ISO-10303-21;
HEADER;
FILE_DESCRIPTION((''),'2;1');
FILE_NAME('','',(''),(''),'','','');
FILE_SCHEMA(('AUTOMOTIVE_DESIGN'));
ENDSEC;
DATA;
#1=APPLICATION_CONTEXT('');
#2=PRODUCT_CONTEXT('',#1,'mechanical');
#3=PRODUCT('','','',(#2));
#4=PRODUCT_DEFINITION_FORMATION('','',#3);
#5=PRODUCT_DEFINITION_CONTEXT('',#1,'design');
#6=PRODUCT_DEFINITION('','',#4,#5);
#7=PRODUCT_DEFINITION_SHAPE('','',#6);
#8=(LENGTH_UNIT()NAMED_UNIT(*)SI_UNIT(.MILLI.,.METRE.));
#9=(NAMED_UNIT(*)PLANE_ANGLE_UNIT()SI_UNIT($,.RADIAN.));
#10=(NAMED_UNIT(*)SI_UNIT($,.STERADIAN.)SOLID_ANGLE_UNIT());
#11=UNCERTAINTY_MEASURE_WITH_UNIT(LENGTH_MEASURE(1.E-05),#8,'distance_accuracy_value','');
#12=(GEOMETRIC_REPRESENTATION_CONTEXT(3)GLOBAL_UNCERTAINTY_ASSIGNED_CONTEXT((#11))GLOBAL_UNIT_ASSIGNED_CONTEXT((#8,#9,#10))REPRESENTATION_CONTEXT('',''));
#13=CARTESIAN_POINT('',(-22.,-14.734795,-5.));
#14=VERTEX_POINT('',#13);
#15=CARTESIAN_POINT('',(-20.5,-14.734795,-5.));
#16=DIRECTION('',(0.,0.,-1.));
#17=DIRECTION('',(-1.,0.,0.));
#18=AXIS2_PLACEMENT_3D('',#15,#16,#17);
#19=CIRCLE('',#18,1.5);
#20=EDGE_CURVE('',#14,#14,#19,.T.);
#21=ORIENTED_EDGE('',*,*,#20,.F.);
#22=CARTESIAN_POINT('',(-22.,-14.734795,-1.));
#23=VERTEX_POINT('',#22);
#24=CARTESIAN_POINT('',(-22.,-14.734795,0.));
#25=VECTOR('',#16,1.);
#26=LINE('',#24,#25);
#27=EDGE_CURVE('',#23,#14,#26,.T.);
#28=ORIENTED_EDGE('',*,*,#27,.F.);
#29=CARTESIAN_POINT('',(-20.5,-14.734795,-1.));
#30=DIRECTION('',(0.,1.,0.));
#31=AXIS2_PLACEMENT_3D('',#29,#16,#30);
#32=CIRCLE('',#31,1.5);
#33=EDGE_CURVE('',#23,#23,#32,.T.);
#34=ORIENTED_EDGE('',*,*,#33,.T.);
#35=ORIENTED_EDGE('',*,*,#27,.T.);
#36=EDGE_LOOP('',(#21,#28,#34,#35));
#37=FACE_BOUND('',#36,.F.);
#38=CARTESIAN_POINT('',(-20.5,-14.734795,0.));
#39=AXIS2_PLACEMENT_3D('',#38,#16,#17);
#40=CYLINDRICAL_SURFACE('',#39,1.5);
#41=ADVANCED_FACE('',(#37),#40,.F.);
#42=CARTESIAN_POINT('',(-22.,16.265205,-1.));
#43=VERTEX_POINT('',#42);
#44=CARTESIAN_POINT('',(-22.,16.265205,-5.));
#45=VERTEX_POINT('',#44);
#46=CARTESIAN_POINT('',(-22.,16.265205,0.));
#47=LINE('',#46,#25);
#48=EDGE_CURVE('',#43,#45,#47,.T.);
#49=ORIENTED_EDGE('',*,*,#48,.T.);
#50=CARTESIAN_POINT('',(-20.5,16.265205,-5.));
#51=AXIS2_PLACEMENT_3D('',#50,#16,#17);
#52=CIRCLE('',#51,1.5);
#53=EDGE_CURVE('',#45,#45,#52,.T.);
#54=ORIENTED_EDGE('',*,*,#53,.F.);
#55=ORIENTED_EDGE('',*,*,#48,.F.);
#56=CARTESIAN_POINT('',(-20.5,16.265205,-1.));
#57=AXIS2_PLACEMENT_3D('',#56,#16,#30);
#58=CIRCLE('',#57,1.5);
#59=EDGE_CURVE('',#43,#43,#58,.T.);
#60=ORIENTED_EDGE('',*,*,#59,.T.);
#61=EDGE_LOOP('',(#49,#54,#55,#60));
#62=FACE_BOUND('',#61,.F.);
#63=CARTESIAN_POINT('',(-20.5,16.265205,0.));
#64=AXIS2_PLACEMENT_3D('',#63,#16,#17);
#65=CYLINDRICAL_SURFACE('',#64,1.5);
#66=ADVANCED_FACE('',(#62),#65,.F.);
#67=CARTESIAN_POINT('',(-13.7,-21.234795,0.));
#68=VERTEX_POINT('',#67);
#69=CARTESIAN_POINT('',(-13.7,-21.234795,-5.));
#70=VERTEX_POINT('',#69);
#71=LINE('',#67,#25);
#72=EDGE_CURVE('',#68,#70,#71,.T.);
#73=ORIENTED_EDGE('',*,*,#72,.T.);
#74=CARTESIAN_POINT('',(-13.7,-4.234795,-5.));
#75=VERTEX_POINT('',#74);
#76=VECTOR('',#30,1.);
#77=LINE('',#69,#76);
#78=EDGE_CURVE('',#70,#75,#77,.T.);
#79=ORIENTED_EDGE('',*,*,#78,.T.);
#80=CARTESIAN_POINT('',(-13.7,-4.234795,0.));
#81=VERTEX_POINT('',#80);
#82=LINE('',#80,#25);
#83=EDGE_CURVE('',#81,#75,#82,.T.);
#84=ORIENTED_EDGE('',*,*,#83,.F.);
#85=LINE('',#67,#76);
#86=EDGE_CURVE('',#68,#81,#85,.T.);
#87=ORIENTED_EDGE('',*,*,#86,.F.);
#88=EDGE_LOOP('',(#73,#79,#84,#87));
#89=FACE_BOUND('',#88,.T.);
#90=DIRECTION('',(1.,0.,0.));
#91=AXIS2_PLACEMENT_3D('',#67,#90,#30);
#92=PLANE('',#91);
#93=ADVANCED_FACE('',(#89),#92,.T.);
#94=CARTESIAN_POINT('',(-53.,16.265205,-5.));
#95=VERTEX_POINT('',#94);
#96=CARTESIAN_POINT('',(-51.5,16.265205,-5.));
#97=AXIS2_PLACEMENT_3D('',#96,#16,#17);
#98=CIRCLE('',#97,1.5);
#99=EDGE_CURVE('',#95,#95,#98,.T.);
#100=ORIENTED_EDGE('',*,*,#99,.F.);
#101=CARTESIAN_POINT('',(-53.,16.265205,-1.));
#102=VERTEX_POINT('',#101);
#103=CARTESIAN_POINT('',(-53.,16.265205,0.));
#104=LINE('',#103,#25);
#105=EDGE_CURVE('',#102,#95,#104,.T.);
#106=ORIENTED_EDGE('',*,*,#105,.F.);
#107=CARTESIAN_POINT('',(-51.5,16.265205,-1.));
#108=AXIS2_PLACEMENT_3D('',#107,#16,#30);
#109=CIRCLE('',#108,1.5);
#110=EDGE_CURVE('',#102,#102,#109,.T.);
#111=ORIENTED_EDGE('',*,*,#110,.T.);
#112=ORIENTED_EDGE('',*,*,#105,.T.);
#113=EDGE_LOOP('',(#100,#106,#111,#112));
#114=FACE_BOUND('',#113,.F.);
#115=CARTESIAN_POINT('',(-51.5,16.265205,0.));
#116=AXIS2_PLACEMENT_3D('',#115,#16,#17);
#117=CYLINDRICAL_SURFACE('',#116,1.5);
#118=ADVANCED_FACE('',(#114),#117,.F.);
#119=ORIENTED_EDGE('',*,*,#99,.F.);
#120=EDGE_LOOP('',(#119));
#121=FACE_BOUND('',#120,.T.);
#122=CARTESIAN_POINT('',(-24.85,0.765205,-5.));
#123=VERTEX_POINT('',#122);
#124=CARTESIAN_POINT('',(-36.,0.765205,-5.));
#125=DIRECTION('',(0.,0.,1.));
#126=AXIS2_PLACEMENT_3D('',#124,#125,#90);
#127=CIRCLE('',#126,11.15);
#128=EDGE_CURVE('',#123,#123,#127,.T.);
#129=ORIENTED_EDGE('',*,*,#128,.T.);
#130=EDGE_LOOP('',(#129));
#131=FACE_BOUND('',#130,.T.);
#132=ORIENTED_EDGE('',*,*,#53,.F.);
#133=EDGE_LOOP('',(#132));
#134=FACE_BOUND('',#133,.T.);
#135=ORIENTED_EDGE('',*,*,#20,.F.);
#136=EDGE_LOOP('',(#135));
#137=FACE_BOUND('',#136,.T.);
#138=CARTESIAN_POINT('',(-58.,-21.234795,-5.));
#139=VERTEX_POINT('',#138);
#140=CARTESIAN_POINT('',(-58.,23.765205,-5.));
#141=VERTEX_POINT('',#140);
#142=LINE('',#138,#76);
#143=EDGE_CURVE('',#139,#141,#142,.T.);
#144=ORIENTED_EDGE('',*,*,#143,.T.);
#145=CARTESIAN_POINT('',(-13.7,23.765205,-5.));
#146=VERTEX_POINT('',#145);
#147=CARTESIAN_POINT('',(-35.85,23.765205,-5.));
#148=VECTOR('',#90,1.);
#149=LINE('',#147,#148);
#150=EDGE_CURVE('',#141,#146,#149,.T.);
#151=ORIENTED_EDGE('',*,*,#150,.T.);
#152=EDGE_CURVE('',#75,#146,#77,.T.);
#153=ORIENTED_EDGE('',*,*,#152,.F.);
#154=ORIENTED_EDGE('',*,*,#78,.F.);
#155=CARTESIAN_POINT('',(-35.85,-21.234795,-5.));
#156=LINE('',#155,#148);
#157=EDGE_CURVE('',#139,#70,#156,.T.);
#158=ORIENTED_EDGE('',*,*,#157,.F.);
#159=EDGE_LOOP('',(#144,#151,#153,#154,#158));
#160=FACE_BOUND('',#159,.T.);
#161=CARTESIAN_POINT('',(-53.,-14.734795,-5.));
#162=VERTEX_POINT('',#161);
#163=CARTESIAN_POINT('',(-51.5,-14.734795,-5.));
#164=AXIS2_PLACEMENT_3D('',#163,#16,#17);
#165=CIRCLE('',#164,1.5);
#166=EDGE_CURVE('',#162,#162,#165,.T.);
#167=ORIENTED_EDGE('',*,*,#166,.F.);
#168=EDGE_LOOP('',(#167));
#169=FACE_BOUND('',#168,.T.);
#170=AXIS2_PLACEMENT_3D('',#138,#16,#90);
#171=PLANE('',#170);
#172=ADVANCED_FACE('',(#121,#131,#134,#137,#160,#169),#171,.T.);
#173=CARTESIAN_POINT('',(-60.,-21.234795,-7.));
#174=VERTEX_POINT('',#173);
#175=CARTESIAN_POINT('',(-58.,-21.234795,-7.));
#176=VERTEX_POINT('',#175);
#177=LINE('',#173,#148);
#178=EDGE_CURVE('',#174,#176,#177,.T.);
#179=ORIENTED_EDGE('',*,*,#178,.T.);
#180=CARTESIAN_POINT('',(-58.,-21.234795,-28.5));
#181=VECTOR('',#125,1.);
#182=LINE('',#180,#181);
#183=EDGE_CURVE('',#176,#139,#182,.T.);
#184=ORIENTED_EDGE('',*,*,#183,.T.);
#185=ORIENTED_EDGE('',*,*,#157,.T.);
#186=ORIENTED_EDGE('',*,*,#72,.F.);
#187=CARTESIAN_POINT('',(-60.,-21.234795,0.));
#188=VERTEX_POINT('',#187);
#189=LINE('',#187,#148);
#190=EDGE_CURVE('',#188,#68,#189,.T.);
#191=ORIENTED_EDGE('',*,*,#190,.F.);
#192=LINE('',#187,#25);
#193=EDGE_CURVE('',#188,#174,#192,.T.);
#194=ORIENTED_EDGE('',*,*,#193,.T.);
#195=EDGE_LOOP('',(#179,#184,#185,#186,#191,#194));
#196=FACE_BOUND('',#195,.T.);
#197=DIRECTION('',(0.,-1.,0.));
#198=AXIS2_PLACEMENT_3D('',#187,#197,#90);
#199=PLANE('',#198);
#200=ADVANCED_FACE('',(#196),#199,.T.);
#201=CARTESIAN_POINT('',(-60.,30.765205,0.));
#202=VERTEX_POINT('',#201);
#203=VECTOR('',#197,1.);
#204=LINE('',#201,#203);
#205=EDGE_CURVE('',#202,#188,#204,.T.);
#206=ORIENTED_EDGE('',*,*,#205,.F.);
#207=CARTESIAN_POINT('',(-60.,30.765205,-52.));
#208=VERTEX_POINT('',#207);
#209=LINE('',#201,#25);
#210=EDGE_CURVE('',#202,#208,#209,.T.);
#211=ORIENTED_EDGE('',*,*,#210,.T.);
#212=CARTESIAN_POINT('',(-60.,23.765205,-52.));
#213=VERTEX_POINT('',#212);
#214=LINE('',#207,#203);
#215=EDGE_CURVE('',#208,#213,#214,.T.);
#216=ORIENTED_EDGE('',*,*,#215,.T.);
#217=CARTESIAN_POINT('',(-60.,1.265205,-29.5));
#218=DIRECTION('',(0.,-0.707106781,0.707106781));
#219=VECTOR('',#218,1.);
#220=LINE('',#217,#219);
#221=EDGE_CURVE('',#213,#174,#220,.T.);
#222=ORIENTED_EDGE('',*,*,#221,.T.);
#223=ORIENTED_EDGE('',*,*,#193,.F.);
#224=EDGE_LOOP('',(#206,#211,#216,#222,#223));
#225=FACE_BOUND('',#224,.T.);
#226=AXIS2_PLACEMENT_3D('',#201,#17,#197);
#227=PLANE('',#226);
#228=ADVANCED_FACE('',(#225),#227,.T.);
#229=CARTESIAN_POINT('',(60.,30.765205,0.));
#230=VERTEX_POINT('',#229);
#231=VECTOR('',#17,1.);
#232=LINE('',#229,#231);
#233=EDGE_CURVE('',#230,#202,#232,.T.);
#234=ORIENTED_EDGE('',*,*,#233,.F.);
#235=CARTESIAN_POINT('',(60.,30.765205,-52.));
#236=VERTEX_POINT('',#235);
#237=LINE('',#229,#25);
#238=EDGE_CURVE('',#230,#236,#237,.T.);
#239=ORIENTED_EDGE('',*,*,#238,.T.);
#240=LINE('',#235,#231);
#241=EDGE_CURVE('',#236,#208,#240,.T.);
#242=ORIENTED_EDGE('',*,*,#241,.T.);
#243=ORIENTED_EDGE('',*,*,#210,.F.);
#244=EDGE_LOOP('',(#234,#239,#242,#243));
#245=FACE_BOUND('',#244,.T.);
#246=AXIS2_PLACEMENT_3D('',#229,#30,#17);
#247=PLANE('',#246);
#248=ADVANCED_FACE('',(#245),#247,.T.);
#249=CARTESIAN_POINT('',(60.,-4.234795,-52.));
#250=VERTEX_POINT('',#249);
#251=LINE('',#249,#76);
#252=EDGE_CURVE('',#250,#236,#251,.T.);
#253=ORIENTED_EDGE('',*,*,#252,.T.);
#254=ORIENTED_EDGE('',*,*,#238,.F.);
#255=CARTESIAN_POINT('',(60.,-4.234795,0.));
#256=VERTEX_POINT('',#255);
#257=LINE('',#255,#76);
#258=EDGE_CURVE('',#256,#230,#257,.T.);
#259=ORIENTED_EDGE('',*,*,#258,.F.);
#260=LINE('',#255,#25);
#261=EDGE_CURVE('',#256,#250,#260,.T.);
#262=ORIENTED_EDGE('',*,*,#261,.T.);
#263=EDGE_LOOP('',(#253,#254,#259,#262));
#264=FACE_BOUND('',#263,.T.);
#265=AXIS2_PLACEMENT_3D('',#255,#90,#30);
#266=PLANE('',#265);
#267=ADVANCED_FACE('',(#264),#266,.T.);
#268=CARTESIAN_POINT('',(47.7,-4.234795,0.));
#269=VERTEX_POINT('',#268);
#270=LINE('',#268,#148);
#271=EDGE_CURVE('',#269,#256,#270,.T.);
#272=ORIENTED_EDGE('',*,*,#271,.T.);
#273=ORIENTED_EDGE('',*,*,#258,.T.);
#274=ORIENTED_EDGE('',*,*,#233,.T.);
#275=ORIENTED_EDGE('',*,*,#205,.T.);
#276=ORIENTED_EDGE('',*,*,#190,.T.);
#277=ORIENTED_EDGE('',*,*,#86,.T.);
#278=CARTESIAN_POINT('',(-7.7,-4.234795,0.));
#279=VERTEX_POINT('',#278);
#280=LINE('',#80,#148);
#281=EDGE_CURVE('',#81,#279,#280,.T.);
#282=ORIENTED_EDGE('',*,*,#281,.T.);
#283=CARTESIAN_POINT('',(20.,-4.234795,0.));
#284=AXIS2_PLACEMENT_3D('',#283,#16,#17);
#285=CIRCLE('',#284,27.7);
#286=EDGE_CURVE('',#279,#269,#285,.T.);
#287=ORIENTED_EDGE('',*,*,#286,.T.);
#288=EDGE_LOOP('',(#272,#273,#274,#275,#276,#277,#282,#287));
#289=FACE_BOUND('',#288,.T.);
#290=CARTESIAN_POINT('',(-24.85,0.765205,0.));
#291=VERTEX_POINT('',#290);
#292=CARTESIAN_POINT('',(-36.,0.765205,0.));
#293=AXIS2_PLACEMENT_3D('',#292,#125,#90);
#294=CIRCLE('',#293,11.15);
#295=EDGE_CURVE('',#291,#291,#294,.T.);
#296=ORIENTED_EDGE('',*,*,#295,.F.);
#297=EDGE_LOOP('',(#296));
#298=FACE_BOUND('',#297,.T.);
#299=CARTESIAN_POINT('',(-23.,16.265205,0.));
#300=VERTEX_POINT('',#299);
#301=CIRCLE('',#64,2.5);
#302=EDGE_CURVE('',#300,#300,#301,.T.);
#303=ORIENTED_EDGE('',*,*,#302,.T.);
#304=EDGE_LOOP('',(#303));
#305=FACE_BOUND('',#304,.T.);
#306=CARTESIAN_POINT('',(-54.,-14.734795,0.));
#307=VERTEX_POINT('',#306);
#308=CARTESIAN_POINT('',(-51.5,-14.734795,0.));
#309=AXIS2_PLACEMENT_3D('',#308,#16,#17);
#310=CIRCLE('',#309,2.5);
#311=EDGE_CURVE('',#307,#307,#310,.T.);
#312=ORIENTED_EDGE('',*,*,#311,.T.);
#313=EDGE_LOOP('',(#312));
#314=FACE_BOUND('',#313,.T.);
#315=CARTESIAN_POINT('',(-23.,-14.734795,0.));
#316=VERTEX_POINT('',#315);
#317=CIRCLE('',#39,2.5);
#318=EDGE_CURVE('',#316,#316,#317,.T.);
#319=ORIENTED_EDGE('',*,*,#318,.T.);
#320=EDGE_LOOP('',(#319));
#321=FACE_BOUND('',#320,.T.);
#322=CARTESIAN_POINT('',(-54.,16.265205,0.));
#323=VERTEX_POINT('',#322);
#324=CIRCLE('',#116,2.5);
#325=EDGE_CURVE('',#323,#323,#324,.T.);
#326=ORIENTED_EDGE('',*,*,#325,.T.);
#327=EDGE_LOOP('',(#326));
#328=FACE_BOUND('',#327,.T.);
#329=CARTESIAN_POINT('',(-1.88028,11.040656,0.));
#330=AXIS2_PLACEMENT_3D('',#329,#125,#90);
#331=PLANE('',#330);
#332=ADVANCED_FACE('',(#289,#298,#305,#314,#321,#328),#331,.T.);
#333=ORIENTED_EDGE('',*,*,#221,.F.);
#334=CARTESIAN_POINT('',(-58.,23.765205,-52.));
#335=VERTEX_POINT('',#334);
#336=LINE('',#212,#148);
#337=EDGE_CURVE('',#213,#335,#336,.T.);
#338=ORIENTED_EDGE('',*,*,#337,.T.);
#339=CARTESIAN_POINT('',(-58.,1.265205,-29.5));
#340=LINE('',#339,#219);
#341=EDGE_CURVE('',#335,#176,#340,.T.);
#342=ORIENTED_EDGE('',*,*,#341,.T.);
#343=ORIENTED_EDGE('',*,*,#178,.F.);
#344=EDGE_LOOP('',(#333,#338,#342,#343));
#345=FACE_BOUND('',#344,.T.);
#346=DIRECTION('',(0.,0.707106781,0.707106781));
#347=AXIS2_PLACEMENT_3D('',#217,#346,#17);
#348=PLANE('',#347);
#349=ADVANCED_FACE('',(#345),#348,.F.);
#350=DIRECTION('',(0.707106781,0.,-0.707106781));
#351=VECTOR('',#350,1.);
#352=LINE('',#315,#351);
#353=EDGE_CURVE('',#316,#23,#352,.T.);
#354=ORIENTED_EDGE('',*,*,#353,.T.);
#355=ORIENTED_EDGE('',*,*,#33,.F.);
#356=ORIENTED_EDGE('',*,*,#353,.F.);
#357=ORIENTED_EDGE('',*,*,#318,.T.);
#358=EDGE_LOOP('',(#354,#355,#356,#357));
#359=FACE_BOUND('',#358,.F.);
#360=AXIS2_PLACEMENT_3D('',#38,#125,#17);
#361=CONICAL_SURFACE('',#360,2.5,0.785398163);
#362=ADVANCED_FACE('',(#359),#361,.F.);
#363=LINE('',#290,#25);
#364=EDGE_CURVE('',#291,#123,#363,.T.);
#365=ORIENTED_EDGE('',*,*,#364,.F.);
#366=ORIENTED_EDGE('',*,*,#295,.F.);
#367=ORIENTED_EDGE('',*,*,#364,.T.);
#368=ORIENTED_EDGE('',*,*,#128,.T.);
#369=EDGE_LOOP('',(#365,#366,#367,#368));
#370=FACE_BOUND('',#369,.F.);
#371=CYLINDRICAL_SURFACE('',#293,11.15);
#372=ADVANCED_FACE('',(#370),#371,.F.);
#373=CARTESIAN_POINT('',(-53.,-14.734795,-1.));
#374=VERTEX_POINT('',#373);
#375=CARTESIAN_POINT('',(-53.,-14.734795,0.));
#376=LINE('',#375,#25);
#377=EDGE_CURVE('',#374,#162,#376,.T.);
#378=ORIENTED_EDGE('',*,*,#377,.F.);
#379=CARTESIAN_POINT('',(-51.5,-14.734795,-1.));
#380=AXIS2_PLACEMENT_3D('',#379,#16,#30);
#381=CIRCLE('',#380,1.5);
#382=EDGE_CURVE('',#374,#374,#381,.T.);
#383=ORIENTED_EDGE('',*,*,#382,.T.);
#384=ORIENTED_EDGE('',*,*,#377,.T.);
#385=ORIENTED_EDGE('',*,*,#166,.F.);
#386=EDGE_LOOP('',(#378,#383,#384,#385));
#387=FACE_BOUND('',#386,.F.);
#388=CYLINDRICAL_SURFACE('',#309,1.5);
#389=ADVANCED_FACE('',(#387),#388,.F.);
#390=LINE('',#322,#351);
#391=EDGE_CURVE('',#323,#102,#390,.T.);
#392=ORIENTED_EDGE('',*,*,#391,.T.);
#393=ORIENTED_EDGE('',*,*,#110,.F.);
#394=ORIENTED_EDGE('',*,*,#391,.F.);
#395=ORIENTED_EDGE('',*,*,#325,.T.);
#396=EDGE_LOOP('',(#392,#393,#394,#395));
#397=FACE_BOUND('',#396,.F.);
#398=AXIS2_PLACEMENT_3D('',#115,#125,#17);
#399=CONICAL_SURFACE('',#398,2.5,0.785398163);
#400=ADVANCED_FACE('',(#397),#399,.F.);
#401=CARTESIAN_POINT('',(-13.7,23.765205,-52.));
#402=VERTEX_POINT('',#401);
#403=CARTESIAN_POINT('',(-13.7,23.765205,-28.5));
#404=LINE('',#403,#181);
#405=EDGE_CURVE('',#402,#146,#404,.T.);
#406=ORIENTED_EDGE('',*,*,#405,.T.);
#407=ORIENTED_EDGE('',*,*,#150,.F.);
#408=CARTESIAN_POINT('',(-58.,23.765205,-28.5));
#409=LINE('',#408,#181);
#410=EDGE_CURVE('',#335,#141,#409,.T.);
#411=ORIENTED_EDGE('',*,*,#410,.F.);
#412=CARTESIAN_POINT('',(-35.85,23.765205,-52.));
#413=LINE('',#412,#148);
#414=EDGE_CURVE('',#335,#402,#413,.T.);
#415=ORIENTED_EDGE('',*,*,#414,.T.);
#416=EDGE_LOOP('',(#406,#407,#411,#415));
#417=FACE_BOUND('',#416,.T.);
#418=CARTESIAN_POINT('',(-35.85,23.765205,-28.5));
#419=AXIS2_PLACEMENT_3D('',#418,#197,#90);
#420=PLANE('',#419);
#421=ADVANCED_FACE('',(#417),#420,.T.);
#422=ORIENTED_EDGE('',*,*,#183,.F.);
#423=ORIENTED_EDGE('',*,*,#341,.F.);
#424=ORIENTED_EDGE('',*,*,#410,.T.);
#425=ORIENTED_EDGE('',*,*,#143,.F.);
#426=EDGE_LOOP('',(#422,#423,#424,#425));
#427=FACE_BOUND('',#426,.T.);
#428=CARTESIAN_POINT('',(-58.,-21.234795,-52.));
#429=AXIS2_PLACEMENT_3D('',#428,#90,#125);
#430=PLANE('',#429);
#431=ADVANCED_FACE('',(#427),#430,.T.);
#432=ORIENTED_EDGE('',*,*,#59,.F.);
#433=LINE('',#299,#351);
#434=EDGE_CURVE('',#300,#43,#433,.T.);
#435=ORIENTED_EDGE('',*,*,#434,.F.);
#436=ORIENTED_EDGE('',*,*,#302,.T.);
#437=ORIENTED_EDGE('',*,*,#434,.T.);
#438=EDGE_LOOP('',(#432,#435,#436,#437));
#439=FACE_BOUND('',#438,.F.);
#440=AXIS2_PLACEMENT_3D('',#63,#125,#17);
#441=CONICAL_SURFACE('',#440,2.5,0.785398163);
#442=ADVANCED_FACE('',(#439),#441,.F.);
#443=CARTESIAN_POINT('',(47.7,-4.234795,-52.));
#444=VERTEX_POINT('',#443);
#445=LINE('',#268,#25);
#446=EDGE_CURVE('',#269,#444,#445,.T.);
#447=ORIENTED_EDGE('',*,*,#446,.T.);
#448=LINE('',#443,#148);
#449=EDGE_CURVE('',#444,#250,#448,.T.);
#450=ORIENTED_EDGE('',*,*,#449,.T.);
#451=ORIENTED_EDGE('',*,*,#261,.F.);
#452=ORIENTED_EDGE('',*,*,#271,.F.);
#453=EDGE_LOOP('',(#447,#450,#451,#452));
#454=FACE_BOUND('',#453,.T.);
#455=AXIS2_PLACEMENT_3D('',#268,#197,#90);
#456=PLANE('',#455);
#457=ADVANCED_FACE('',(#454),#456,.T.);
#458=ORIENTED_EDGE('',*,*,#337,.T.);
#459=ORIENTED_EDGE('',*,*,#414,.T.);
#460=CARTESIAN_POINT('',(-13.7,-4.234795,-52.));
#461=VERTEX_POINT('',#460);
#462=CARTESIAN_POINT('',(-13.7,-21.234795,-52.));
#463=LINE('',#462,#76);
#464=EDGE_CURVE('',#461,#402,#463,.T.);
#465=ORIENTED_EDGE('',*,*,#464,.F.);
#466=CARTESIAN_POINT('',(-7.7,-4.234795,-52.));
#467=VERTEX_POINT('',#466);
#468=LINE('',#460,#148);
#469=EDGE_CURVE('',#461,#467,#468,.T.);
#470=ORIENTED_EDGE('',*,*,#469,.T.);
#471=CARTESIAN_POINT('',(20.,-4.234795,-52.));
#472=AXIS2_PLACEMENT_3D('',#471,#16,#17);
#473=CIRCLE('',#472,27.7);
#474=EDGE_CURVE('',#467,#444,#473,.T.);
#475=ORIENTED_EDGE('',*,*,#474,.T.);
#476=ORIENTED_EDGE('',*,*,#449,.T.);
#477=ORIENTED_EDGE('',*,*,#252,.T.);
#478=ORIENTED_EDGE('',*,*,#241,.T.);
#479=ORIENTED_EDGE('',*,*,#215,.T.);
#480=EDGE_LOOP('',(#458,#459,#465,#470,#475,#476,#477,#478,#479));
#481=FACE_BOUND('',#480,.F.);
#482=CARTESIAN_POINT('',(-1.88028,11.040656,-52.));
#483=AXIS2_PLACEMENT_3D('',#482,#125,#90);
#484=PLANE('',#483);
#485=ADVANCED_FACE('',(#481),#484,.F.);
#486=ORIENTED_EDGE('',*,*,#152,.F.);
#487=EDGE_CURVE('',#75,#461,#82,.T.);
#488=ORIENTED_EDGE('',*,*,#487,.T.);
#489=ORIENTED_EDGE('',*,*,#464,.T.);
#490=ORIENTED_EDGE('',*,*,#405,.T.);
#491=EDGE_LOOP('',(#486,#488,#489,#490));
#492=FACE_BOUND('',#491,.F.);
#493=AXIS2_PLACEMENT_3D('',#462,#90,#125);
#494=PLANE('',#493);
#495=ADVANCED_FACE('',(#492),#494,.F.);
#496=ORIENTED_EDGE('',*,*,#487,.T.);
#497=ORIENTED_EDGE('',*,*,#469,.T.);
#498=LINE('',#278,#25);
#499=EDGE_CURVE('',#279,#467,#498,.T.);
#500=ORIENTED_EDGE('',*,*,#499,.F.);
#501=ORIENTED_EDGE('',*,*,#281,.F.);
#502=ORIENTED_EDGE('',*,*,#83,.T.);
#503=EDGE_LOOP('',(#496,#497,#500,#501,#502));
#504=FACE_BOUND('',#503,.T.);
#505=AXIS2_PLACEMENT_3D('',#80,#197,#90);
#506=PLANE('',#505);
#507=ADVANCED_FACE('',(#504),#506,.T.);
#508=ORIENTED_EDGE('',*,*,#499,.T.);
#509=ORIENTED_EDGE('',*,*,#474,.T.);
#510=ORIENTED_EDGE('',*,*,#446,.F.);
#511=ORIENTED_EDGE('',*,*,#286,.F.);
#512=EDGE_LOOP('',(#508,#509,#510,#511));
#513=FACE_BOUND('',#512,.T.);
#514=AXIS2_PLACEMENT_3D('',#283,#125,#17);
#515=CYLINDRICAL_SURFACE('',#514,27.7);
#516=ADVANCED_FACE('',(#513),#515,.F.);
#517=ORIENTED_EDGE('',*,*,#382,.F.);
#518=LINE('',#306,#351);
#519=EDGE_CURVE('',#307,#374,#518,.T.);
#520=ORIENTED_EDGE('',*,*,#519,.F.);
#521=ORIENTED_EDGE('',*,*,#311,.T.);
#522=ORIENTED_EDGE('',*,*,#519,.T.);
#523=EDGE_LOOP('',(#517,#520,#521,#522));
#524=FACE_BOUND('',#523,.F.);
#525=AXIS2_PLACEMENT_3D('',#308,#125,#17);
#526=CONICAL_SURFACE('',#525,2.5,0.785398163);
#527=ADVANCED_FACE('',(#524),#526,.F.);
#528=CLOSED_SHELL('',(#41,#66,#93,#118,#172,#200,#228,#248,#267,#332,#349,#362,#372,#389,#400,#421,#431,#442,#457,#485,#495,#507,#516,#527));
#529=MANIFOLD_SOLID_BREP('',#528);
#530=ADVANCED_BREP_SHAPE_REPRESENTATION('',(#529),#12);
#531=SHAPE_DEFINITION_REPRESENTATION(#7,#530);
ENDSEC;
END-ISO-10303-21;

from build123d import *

# Parameters (mm, degrees)
F0_R           = 11.15
F1_DEPTH       = 52
F2_D           = 3
F2_CSINK_D     = 5
F2_CSINK_ANGLE = 90
F3_W           = 44.3
F3_H           = 47
F4_DEPTH       = 45
F5_SIZE        = 45


with BuildPart() as f1:
    # F0 (on Top) → F1 (new body)
    with BuildSketch(Plane.XY):
        with BuildLine():
            Line((60, -4.2347954512), (60, 30.7652045488))
            Line((60, 30.7652045488), (-60, 30.7652045488))
            Line((-60, 30.7652045488), (-60, -21.2347954512))
            Line((-60, -21.2347954512), (-13.7, -21.2347954512))
            Line((-13.7, -21.2347954512), (-13.7, -4.2347954512))
            Line((-13.7, -4.2347954512), (-7.7, -4.2347954512))
            ThreePointArc((-7.7, -4.2347954512), (20, 23.4652045488), (47.7, -4.2347954512))
            Line((47.7, -4.2347954512), (60, -4.2347954512))
        make_face()
        with Locations((-36, 0.7652045488)):
            Circle(F0_R, mode=Mode.SUBTRACT)
    extrude(amount=-F1_DEPTH)

    # F2 (through all)
    with Locations(Plane.XY):
        with Locations((-51.5, 16.2652045488), (-20.5, 16.2652045488), (-51.5, -14.7347954512), (-20.5, -14.7347954512)):
            CounterSinkHole(F2_D / 2, F2_CSINK_D / 2, counter_sink_angle=F2_CSINK_ANGLE)

    # F3 (on face) → F4 (cut)
    with BuildSketch(Plane.XZ.offset(21.2347954512)):
        with Locations((-35.85, -28.5)):
            Rectangle(F3_W, F3_H)
    extrude(amount=-F4_DEPTH, mode=Mode.SUBTRACT)

    # F5
    f5_edges = [f1.edges().sort_by_distance(p)[0] for p in [
        (-59, -21.234795, -52),
    ]]
    chamfer(f5_edges, length=F5_SIZE)


solid = f1.part
